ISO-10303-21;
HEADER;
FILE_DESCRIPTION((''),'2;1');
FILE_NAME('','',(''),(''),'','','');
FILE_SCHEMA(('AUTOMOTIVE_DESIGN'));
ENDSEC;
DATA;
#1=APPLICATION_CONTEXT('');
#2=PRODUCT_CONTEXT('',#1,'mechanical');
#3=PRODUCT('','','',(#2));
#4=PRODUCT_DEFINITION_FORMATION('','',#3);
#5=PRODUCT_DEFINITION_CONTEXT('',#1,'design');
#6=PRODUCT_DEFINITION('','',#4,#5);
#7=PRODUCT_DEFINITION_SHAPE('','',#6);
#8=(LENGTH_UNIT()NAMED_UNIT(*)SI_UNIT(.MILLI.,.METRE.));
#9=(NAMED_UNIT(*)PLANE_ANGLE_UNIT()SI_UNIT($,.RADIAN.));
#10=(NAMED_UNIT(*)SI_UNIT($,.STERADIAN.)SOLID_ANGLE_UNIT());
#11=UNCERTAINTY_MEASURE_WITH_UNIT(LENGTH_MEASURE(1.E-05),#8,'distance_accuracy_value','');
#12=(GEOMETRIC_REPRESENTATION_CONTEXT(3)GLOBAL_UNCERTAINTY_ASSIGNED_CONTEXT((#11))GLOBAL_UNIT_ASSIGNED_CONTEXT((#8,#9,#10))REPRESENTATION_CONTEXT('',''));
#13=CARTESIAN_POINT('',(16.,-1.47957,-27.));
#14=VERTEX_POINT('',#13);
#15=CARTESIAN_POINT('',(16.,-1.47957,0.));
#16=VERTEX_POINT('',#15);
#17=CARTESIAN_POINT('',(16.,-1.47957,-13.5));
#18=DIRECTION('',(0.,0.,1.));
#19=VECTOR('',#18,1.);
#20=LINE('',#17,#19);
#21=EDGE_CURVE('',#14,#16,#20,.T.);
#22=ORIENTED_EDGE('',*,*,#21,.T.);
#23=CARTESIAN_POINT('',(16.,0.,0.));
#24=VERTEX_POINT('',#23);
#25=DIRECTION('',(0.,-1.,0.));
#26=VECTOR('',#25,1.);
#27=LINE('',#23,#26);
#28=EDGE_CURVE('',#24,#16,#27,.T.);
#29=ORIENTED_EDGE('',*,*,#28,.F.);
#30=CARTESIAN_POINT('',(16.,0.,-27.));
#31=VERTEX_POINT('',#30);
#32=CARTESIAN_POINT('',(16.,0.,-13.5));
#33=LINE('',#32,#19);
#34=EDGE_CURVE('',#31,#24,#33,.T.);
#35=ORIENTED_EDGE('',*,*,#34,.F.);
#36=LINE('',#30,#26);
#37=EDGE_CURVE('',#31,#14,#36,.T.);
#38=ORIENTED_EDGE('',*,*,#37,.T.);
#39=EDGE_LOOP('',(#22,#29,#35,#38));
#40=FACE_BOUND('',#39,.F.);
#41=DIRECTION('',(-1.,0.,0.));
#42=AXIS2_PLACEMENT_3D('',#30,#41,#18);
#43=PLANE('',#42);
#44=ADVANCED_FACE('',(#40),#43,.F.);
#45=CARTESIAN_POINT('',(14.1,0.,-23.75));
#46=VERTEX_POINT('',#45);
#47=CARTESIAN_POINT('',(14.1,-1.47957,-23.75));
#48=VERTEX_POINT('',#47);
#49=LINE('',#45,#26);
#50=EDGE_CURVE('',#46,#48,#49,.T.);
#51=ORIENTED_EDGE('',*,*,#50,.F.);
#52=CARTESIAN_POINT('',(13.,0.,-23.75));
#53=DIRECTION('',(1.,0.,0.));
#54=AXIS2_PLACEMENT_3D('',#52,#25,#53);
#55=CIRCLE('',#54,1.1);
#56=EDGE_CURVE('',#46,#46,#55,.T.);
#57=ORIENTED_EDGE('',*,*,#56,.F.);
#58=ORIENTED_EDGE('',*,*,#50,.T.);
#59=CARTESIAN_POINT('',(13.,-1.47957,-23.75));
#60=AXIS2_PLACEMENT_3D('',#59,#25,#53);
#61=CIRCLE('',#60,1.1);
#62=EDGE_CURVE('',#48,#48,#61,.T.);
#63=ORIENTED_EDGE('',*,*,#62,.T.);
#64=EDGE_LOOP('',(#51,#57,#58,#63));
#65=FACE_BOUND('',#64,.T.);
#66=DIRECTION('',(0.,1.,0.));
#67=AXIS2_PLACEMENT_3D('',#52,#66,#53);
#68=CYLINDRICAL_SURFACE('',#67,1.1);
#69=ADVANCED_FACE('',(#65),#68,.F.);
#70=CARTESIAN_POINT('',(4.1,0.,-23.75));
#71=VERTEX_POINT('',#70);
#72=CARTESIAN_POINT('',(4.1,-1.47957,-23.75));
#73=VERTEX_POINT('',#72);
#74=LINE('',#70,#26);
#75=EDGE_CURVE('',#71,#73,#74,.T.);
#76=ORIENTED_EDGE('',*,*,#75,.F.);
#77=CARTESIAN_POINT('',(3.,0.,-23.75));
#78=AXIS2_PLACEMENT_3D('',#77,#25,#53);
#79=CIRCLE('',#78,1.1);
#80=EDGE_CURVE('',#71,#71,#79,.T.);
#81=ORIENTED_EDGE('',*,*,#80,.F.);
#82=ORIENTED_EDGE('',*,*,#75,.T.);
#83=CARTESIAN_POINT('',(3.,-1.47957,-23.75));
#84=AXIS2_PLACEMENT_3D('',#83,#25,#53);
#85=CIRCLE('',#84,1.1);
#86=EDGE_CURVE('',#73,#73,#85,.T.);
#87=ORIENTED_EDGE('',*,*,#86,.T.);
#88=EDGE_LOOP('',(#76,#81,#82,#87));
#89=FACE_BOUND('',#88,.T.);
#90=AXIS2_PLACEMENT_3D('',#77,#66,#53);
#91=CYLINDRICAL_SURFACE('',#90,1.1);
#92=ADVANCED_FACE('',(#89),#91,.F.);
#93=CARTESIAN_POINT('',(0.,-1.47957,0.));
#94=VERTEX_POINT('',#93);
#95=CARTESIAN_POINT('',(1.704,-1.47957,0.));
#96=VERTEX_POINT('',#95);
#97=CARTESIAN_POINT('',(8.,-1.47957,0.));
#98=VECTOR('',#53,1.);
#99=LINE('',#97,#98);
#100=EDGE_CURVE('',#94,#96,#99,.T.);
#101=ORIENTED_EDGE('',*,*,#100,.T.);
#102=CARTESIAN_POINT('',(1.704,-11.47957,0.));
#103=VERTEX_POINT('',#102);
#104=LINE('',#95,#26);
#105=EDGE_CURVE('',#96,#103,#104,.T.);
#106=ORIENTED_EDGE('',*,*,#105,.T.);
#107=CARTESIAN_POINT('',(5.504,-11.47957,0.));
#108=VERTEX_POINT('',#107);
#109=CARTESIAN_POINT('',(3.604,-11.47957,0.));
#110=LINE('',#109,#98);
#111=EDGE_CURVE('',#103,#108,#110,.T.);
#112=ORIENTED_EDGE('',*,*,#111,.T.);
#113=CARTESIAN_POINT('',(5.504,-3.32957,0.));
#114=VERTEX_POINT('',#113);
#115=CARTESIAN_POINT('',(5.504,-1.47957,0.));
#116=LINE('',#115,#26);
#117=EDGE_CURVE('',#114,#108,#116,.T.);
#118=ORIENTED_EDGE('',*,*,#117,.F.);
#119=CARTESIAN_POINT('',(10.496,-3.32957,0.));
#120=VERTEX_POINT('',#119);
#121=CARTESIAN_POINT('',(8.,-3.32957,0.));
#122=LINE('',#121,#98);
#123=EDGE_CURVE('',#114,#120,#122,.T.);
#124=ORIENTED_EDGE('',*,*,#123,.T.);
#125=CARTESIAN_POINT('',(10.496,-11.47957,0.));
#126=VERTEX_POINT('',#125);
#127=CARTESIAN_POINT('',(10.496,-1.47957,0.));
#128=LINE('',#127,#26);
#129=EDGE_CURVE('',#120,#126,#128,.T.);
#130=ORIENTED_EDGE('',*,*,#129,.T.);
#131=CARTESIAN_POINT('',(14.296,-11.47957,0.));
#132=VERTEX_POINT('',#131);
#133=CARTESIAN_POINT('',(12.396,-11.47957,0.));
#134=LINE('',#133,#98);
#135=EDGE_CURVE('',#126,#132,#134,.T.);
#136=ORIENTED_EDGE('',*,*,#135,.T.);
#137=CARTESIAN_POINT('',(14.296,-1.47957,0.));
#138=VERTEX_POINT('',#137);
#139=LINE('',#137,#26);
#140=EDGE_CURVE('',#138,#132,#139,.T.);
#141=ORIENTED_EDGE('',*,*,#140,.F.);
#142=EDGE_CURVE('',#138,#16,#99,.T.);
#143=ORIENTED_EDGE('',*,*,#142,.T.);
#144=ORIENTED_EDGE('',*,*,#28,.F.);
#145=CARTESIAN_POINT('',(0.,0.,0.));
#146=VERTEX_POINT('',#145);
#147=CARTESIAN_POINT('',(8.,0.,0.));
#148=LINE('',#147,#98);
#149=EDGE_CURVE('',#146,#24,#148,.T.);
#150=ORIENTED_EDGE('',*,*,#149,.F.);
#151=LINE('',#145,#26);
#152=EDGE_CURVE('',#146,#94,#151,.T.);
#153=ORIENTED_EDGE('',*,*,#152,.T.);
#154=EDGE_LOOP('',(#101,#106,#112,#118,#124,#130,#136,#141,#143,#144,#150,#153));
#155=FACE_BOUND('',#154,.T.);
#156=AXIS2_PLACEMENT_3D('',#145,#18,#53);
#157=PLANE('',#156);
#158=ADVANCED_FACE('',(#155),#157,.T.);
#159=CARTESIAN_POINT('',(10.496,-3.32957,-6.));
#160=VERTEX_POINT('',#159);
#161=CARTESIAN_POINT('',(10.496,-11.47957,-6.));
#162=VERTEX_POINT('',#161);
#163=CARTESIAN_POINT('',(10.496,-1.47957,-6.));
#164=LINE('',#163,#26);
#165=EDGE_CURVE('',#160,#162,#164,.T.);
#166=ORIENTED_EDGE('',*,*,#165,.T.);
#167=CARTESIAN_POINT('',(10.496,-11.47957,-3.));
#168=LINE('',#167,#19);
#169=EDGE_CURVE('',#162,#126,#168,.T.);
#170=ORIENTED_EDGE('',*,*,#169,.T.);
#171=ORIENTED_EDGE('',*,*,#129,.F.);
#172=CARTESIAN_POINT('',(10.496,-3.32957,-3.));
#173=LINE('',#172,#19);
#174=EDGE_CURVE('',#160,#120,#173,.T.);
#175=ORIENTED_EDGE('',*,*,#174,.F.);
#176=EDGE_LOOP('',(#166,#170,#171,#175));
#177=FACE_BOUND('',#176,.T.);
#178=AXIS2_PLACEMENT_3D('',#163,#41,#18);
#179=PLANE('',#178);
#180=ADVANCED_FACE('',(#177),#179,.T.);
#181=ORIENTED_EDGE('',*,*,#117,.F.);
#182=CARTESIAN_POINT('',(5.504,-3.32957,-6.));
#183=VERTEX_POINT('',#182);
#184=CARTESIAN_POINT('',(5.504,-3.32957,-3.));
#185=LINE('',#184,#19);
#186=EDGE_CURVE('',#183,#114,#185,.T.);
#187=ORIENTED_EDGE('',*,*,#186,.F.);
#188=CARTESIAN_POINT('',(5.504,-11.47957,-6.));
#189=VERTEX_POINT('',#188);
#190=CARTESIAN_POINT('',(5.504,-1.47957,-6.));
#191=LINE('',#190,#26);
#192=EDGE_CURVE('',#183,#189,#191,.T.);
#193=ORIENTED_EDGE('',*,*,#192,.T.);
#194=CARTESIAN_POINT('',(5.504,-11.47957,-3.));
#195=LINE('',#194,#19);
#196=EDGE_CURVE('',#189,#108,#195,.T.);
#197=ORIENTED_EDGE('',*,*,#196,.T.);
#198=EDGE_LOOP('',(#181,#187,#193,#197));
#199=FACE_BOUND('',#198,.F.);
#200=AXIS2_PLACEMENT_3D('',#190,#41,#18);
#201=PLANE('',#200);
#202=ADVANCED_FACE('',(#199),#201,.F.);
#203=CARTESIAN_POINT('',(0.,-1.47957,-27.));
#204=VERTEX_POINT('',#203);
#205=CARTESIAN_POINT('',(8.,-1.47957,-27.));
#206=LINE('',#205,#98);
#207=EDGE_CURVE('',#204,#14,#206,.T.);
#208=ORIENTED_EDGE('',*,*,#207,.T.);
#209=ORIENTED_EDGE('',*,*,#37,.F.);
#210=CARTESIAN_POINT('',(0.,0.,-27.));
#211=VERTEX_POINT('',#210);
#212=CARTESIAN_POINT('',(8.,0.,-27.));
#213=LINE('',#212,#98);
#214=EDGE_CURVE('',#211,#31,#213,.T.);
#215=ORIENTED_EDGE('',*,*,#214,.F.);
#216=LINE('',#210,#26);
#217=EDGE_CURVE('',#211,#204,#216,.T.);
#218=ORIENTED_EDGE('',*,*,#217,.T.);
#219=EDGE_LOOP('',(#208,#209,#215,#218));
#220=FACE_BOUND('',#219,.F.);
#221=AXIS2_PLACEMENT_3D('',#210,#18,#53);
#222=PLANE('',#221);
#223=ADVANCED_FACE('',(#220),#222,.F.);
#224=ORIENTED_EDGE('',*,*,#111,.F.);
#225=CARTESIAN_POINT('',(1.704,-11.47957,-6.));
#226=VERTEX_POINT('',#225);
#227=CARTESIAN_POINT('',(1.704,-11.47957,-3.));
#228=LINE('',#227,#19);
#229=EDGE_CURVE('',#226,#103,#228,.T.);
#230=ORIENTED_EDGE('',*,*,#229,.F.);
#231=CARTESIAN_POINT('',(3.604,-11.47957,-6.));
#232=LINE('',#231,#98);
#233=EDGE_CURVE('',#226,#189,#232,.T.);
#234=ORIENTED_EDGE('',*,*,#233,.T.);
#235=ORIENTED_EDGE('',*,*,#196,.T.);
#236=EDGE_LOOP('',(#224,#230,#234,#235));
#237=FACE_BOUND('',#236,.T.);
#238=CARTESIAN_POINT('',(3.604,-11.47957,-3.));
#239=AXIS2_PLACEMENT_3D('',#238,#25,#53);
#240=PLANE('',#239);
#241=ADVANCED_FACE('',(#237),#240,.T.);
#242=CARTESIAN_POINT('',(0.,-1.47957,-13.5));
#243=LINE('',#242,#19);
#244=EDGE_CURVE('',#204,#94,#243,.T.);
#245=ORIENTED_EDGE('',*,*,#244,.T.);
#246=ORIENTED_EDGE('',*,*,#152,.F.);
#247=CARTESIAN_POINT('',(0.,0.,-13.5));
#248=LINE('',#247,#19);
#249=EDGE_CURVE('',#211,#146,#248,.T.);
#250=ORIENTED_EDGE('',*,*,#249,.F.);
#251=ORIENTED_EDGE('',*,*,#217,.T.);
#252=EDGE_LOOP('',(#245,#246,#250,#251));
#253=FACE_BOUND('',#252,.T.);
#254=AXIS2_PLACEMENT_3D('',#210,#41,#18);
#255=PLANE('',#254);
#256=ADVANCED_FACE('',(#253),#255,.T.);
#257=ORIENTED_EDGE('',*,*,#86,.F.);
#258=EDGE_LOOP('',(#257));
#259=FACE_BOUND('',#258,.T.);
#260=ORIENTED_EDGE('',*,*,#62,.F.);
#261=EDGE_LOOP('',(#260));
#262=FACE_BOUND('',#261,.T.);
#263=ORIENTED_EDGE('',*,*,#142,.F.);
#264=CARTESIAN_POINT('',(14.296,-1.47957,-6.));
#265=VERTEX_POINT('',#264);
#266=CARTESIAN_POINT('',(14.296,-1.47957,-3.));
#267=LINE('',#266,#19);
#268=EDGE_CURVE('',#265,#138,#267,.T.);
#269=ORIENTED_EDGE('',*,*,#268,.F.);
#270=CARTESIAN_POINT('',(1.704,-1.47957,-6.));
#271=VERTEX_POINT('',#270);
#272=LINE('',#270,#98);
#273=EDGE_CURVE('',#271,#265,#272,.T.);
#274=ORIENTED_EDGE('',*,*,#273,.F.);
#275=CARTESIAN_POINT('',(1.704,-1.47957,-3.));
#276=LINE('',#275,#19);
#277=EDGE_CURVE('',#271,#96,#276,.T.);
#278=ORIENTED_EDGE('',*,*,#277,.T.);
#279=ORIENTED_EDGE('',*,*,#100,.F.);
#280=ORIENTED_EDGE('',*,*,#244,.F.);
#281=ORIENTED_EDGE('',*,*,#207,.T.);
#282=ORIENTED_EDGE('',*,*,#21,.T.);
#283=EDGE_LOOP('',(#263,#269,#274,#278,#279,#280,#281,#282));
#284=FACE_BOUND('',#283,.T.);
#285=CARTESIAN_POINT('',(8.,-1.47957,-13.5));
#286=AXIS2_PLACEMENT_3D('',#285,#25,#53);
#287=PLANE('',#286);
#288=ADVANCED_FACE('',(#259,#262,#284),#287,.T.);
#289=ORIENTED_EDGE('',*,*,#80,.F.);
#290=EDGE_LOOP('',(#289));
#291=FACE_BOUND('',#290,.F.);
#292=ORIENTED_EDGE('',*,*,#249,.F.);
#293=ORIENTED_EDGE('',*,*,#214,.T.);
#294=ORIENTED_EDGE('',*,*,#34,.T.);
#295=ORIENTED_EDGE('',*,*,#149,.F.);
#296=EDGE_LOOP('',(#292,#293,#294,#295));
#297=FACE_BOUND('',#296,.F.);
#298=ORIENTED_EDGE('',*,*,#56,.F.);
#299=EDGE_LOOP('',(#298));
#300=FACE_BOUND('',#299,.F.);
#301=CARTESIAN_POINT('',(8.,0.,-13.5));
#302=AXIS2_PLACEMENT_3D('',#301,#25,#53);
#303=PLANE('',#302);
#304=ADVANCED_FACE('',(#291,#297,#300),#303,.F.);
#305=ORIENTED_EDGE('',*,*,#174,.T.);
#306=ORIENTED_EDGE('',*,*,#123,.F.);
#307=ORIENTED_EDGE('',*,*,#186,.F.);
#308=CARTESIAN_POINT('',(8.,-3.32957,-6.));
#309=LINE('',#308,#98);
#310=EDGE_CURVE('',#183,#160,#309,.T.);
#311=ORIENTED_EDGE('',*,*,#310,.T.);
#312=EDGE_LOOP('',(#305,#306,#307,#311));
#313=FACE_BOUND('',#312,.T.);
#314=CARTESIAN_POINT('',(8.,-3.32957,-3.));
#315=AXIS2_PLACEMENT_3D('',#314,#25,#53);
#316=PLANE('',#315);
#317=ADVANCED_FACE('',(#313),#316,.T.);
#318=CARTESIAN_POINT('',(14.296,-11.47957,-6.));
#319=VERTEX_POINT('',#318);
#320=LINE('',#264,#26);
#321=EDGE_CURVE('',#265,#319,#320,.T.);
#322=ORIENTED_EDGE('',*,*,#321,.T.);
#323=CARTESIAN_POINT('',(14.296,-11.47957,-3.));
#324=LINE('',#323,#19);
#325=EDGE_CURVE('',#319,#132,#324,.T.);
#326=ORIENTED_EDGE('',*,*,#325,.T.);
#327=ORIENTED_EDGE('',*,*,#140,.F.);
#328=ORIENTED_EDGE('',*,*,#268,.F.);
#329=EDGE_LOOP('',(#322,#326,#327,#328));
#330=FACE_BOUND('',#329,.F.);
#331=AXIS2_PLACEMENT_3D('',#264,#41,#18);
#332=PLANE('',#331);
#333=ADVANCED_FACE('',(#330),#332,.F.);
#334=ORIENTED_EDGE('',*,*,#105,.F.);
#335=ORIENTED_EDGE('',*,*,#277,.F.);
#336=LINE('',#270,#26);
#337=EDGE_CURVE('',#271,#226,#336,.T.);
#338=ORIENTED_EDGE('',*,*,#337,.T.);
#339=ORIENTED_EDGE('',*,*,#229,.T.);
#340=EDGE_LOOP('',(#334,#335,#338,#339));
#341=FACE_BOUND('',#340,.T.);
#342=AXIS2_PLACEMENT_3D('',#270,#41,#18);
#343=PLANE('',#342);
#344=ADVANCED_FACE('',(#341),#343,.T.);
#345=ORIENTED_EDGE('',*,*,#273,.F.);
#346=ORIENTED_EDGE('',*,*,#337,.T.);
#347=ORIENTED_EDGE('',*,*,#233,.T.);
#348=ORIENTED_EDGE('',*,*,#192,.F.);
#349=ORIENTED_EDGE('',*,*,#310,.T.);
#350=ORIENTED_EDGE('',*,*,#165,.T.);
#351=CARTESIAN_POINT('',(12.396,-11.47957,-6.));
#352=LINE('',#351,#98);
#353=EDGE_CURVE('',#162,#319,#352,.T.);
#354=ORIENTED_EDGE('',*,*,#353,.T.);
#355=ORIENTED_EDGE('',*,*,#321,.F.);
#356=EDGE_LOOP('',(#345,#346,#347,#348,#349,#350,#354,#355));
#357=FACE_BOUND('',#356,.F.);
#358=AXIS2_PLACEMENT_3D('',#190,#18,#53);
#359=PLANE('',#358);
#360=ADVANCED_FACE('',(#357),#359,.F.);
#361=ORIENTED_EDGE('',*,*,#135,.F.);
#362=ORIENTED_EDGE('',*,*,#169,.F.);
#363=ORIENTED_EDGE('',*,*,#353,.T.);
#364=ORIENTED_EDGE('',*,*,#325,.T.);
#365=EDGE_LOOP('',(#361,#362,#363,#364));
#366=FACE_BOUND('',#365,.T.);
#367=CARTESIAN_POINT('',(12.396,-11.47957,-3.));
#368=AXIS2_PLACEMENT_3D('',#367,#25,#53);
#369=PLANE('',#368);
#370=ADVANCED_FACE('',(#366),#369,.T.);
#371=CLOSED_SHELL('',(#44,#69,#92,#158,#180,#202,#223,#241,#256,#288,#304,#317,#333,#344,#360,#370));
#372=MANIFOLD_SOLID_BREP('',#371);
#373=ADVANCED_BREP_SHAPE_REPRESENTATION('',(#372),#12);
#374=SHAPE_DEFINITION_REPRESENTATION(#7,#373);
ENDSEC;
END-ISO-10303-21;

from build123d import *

# Parameters (mm, degrees)
F0_W     = 16
F0_H     = 27
F0_R     = 1.1
F1_DEPTH = 1.47957
F3_W     = 3.8
F3_H     = 6
F4_DEPTH = 10
F3_W_2   = 4.992
F5_DEPTH = 1.85


with BuildPart() as f1:
    # F0 (on Front) → F1 (new body)
    with BuildSketch(Plane.XZ):
        with Locations((8, -13.5)):
            Rectangle(F0_W, F0_H)
        with Locations((3, -23.75)):
            Circle(F0_R, mode=Mode.SUBTRACT)
        with Locations((13, -23.75)):
            Circle(F0_R, mode=Mode.SUBTRACT)
    extrude(amount=F1_DEPTH)

    # F3 (on face) → F4 (join)
    with BuildSketch(Plane.XZ.offset(1.47957)):
        with Locations((3.604, -3)):
            Rectangle(F3_W, F3_H)
        with Locations((12.396, -3)):
            Rectangle(F3_W, F3_H)
    extrude(amount=F4_DEPTH)

    # F3 (on face) → F5 (join)
    with BuildSketch(Plane.XZ.offset(1.47957)):
        with Locations((8, -3)):
            Rectangle(F3_W_2, F3_H)
    extrude(amount=F5_DEPTH)


solid = f1.part
